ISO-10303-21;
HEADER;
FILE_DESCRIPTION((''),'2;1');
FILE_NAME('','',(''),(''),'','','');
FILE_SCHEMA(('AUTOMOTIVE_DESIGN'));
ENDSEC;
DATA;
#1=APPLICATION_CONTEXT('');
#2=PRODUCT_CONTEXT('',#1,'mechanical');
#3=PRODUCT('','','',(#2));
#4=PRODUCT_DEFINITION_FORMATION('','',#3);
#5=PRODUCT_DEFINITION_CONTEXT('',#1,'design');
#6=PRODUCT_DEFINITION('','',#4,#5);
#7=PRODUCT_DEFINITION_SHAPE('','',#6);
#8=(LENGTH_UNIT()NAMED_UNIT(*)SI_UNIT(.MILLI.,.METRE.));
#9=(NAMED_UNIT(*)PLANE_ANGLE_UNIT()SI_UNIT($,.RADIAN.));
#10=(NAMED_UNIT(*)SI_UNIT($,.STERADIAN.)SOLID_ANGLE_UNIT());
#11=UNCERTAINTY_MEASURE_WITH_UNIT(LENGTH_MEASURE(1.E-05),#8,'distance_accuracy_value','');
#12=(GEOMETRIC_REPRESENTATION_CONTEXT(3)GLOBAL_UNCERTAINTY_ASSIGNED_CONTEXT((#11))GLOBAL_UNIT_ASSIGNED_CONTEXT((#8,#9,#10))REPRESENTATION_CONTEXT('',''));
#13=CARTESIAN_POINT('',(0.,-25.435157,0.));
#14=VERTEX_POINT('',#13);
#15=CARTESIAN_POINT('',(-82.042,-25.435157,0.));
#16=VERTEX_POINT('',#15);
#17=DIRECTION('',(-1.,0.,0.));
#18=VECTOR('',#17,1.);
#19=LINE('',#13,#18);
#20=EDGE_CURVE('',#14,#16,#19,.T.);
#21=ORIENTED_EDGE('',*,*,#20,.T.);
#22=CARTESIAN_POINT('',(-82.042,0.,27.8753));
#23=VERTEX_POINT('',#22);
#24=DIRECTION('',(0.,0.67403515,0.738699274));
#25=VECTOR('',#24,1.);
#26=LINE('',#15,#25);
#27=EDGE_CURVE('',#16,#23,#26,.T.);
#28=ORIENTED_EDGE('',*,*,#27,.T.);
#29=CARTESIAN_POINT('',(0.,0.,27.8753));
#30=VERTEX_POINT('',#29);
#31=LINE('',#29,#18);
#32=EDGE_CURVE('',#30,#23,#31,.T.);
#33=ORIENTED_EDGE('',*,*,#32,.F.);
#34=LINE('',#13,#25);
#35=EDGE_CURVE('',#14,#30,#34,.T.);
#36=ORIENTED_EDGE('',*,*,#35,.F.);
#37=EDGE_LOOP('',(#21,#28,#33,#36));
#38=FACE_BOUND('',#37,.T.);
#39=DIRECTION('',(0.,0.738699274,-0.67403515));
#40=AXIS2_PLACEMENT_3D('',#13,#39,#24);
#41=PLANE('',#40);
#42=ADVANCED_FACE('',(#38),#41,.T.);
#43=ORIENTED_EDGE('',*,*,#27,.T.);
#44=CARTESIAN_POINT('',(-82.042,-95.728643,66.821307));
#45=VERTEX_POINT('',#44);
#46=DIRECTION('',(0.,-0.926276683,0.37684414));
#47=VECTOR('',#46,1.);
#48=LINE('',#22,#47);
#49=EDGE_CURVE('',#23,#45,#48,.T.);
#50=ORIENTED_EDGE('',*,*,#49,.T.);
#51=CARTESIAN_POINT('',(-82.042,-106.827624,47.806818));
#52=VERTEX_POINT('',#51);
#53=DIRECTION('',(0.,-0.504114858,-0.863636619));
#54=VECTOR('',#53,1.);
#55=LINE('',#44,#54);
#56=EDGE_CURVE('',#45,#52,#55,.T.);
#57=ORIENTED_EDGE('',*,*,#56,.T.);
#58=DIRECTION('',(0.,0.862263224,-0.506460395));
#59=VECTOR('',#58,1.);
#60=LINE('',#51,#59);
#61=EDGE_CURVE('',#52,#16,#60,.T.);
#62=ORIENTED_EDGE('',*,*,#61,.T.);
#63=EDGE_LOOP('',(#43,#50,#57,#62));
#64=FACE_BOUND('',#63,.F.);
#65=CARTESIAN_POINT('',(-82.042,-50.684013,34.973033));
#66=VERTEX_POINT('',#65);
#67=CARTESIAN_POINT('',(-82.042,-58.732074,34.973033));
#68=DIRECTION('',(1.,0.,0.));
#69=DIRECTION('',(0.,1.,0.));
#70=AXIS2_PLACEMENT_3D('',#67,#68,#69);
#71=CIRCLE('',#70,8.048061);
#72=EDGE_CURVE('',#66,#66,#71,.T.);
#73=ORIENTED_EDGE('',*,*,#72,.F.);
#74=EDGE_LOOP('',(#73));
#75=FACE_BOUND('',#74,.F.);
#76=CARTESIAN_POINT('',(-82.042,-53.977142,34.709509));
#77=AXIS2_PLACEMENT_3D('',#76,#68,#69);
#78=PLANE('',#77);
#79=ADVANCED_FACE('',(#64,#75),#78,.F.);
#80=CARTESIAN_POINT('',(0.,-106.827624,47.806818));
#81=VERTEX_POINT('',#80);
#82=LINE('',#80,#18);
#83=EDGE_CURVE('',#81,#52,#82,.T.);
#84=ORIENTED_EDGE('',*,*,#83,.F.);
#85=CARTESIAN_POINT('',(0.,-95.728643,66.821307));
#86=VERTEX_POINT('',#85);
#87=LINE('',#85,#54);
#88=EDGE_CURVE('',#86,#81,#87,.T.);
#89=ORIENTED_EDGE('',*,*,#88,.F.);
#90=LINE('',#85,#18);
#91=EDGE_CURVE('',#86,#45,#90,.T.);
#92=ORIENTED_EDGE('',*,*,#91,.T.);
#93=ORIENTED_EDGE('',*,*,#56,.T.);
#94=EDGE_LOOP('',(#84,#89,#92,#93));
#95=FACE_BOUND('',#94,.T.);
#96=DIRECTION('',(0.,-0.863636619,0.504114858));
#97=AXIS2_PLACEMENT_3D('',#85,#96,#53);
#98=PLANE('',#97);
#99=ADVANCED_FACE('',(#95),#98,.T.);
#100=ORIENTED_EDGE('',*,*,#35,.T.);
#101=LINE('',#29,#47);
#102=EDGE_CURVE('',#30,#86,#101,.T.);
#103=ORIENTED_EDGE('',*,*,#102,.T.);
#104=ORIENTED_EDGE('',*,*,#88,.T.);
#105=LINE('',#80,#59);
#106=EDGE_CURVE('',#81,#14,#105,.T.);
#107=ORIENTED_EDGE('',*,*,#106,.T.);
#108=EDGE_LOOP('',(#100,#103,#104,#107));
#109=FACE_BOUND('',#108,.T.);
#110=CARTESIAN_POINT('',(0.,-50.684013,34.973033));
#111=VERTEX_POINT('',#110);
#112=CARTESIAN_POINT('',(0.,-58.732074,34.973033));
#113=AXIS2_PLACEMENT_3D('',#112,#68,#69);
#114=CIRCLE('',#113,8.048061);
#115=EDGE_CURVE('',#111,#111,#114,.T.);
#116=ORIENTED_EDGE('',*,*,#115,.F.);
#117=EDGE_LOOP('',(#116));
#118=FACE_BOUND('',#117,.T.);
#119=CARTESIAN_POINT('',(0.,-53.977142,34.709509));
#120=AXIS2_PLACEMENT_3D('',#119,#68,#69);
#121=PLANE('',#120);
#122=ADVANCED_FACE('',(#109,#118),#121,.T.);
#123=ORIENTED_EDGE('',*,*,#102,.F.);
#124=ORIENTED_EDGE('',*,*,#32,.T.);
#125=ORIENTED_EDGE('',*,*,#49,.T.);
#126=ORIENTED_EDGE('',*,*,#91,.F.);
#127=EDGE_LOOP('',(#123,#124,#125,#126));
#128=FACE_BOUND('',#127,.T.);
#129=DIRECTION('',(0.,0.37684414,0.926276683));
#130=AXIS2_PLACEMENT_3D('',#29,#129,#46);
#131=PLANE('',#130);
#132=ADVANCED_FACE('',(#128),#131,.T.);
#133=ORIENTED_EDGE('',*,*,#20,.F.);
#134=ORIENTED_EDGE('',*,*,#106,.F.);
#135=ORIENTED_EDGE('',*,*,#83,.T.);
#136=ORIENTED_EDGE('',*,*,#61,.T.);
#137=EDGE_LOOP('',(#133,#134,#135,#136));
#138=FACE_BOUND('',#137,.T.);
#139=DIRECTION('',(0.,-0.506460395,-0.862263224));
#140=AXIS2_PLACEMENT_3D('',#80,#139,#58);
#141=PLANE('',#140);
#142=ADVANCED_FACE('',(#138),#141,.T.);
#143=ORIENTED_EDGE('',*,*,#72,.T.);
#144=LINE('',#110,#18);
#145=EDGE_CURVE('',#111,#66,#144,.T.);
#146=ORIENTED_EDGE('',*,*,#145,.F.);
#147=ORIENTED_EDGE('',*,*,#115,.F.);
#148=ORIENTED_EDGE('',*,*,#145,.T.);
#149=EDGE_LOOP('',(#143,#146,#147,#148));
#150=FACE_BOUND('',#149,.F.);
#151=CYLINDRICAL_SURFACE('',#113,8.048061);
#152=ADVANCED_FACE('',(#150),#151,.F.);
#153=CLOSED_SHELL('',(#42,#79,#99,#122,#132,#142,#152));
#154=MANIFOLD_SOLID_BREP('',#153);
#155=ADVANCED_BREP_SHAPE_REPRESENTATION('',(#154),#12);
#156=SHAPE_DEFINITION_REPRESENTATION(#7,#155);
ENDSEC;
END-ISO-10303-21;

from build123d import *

# Parameters (mm, degrees)
F0_R     = 8.048061
F1_DEPTH = 82.042


with BuildPart() as f1:
    # F0 (on Right) → F1 (new body)
    with BuildSketch(Plane.YZ):
        Polygon((-95.728643, 66.821307), (-106.827624, 47.806818), (-25.435157, 0), (0, 27.8753), align=None)
        with Locations((-58.732074, 34.973033)):
            Circle(F0_R, mode=Mode.SUBTRACT)
    extrude(amount=-F1_DEPTH)


solid = f1.part
